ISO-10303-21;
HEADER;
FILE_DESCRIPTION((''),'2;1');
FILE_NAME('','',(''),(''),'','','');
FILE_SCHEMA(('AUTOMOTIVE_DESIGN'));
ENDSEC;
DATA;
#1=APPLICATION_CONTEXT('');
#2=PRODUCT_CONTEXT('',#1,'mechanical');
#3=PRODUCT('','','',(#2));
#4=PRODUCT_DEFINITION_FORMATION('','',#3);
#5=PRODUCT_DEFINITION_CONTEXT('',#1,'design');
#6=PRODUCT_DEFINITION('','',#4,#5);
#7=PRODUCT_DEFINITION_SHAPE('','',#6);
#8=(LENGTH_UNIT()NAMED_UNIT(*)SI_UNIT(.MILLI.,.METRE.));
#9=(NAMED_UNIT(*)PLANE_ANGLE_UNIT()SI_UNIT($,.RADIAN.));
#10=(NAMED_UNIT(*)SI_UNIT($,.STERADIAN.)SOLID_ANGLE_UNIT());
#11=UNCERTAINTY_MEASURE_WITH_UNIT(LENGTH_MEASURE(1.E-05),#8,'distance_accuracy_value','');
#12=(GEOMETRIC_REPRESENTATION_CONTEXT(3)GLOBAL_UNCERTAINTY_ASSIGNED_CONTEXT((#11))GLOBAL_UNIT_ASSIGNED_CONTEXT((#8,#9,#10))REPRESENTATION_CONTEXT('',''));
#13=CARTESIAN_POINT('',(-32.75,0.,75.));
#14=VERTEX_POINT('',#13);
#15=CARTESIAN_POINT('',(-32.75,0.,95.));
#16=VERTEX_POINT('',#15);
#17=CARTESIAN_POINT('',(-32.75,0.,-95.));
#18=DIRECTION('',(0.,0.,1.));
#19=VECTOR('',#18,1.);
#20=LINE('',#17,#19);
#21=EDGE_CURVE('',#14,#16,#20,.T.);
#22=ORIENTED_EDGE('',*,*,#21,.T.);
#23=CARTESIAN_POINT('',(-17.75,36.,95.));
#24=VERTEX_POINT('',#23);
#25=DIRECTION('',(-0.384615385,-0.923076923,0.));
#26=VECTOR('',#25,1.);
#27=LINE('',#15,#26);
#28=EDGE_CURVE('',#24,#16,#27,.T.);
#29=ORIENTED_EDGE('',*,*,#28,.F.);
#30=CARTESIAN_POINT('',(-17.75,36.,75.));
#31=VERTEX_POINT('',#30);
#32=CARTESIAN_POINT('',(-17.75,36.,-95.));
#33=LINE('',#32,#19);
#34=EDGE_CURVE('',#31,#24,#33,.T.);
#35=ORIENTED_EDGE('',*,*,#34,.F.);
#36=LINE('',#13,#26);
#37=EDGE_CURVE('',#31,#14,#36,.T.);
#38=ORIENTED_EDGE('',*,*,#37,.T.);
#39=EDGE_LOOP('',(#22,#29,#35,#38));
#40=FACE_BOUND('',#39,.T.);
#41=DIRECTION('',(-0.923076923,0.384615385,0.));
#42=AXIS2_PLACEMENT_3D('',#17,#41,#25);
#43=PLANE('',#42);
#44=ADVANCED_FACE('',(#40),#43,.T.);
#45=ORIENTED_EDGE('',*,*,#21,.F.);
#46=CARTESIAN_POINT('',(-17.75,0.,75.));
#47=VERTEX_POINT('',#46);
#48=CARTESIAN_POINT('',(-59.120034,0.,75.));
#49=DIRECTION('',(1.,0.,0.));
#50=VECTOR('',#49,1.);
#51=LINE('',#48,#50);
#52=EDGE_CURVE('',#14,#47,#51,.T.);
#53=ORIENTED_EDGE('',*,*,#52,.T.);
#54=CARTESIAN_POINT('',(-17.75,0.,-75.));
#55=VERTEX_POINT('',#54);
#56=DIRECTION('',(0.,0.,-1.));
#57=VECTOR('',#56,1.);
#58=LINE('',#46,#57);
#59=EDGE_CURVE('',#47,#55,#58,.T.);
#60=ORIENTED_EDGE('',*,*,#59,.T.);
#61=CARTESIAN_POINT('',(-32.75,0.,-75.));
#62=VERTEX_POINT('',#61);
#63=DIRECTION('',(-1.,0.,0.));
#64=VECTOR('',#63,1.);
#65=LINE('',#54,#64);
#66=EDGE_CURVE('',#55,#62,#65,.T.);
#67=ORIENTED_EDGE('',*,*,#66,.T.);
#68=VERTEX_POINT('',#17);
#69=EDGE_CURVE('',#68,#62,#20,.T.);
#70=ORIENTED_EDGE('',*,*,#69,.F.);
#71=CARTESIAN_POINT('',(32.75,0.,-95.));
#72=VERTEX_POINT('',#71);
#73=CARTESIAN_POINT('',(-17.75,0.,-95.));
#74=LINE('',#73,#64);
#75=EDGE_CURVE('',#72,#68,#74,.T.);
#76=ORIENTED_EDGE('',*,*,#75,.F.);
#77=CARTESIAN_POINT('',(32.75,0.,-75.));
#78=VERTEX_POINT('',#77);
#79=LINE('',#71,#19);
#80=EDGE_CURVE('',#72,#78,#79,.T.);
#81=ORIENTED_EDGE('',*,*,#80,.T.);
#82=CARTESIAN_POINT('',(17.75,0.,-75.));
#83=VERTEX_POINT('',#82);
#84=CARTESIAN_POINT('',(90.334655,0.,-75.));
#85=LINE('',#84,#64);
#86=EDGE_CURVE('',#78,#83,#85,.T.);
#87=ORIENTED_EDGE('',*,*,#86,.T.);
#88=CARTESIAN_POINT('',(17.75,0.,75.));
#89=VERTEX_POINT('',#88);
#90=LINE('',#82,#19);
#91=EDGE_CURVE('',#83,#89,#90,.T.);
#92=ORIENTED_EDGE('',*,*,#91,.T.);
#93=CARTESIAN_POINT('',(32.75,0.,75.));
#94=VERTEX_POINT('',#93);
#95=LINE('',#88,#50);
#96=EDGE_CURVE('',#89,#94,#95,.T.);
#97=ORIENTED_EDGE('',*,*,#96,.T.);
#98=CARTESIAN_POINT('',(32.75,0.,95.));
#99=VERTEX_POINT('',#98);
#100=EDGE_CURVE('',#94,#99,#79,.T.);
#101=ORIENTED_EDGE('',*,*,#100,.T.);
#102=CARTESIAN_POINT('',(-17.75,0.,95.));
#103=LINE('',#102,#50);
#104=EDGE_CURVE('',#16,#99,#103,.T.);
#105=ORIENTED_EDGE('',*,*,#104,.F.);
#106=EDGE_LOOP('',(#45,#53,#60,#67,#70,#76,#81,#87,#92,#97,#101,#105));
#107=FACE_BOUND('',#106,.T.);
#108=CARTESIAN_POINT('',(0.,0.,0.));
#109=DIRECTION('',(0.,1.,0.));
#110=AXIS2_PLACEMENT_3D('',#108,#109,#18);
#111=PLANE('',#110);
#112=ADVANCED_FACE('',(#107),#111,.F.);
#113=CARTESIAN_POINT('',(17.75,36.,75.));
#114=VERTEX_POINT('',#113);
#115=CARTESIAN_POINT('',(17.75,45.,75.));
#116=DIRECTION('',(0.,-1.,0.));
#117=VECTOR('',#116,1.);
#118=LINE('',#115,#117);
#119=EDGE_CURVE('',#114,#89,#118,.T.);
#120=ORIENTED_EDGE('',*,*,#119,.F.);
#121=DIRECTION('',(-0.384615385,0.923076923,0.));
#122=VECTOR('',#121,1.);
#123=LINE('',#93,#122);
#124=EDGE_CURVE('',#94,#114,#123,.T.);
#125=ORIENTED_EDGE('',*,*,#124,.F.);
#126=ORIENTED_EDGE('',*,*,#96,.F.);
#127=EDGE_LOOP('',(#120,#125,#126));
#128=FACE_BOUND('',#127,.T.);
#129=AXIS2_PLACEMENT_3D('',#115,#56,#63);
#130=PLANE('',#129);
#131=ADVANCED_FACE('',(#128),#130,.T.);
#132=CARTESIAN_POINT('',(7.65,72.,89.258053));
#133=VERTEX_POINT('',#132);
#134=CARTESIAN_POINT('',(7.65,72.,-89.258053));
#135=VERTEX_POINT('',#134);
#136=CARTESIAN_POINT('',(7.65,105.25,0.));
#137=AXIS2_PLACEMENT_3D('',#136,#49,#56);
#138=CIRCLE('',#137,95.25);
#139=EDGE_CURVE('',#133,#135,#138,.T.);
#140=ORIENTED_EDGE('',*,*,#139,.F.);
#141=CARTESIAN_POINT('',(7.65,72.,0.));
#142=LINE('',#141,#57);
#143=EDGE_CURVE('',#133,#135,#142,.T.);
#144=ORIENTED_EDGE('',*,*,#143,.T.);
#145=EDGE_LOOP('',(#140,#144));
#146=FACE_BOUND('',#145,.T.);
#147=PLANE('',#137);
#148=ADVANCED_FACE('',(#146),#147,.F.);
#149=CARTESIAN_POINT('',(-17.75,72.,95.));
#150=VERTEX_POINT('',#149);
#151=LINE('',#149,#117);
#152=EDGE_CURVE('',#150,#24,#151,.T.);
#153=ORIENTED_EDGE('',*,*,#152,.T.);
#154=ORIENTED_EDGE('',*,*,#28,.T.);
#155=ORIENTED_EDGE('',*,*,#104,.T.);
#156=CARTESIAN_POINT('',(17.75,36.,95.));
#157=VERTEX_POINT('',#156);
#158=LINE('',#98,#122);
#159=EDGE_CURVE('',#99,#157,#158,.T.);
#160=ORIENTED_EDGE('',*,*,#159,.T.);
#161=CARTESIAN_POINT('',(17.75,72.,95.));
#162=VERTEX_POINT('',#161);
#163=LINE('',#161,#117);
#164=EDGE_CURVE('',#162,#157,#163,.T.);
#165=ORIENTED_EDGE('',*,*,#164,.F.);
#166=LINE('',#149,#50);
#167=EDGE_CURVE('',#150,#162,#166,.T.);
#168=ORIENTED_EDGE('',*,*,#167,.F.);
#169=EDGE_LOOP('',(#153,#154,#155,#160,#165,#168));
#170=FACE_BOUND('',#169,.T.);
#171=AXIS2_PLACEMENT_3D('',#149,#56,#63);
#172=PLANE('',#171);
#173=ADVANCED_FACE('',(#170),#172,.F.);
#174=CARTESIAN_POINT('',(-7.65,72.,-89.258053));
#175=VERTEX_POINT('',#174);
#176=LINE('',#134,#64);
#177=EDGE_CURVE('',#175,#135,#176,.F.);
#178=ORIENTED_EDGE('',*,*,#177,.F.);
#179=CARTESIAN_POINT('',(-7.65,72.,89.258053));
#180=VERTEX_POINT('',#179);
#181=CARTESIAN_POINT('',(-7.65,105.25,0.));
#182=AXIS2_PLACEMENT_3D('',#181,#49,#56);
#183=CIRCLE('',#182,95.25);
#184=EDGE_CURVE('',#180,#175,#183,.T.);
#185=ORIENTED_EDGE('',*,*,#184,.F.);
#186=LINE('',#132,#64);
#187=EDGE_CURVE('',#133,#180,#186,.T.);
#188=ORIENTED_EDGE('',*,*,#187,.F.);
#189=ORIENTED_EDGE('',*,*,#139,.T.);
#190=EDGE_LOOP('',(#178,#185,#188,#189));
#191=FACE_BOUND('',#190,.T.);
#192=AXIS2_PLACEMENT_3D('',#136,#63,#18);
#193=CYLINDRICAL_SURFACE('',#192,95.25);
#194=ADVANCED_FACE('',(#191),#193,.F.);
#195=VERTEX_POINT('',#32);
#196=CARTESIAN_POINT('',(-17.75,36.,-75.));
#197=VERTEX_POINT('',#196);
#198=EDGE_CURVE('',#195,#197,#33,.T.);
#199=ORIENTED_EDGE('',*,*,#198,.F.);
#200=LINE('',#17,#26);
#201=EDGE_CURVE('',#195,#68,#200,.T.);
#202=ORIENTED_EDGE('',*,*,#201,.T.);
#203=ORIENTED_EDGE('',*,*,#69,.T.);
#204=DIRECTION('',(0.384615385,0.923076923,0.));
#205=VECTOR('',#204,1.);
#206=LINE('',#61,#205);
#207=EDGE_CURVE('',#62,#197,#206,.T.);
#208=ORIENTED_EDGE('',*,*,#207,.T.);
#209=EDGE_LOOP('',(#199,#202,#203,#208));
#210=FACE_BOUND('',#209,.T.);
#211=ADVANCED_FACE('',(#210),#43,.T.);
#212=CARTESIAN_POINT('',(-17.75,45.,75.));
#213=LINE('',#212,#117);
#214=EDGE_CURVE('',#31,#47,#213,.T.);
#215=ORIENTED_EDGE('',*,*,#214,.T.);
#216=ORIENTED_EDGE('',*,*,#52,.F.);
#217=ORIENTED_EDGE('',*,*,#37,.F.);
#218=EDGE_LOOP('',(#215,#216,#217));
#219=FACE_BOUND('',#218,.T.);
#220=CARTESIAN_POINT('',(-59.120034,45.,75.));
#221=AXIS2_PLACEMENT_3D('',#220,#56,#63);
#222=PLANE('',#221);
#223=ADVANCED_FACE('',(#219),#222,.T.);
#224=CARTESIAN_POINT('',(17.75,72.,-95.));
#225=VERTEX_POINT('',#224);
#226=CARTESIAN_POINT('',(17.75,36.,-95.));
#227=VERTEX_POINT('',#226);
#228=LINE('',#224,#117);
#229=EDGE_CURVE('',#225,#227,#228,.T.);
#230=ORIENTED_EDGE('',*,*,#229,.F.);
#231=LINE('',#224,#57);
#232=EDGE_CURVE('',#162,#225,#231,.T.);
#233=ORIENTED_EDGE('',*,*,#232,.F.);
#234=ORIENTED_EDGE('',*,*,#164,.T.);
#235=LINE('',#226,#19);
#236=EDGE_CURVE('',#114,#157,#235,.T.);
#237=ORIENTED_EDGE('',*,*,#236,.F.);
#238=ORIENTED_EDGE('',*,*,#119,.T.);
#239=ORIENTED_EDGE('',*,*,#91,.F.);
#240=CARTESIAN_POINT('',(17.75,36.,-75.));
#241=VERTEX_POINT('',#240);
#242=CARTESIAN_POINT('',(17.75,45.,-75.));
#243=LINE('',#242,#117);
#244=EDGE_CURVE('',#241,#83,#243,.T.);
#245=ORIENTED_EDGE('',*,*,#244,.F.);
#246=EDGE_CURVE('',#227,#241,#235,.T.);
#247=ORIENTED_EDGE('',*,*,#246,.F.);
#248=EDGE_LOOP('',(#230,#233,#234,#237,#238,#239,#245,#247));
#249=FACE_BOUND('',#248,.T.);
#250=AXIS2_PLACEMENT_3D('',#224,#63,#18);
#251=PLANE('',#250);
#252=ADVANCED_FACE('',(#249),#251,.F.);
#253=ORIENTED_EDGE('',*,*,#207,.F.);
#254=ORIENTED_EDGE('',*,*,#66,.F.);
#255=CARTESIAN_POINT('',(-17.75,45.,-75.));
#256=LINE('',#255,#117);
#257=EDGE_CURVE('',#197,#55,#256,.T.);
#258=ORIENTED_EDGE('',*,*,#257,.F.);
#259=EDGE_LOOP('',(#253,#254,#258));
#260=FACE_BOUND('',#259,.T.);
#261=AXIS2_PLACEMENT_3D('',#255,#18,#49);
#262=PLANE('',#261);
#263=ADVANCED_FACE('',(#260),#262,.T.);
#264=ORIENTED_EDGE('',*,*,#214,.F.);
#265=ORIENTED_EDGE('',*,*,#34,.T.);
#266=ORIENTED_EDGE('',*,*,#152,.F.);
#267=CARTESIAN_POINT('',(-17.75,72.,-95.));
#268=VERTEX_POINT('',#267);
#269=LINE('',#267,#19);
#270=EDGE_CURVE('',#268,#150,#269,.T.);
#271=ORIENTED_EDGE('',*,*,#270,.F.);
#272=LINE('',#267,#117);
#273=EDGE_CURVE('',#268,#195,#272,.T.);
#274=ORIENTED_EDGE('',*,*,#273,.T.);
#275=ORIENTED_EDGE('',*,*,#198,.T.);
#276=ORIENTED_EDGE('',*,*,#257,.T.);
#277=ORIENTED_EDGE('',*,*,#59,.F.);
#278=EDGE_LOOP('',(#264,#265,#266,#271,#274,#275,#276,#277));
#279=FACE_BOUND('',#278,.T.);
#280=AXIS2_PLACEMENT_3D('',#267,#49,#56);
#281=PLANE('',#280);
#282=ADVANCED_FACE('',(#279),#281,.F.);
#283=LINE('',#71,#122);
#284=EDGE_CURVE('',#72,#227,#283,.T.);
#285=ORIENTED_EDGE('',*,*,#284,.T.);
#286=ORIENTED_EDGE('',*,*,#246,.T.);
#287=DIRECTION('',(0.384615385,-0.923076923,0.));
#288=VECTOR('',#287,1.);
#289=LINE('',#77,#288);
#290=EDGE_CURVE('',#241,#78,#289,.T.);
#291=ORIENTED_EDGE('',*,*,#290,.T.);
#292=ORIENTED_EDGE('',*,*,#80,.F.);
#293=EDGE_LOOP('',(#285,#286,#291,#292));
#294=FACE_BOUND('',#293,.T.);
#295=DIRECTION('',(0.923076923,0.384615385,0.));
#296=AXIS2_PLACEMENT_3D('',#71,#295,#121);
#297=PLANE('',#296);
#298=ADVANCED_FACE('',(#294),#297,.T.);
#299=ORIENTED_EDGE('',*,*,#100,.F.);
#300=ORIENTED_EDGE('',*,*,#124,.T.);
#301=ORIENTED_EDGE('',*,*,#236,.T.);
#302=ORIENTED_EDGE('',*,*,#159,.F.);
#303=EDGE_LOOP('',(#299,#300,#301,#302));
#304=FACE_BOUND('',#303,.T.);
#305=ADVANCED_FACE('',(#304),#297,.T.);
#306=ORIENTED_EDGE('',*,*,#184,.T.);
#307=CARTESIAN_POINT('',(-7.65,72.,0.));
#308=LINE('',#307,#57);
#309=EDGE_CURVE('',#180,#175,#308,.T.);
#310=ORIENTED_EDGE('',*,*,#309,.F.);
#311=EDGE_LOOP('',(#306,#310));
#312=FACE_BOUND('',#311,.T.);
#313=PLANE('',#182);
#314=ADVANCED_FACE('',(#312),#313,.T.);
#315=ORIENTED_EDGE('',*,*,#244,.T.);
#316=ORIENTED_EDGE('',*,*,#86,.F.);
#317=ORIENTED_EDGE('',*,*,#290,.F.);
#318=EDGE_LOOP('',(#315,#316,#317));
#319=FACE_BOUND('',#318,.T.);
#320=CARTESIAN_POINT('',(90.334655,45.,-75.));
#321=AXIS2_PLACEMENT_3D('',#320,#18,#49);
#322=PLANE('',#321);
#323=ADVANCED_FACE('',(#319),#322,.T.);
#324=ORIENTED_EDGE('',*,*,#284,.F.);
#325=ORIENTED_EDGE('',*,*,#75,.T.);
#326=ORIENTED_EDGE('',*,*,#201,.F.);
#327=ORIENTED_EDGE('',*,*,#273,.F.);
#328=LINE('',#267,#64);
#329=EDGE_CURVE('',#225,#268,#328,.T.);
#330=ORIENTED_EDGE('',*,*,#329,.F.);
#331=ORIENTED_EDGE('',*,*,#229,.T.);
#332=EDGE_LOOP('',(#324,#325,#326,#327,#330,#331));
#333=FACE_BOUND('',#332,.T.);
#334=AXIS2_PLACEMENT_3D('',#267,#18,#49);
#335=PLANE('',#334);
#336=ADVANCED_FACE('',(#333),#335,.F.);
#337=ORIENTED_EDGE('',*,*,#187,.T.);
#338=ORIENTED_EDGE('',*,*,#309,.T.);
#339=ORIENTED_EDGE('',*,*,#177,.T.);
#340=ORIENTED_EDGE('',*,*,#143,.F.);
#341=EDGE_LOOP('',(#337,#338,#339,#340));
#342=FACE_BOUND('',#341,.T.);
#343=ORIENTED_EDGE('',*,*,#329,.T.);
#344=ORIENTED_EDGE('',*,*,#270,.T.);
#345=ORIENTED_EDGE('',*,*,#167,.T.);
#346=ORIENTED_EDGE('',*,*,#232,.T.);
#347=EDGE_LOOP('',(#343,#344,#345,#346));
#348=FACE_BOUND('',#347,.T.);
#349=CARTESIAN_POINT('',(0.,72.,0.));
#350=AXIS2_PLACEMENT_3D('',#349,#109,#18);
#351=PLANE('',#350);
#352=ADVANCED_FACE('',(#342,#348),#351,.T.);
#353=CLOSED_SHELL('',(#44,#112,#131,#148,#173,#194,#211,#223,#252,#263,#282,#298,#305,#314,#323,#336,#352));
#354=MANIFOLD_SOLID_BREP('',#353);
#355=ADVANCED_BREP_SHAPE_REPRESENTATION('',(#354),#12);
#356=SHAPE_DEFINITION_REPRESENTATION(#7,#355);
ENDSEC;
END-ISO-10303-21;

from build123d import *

# Parameters (mm, degrees)
SKETCH1_W                = 35.5
SKETCH1_H                = 190
BOSS_EXTRUDE1_DEPTH      = 72
CUT_EXTRUDE15_DEPTH      = 7.65
CUT_EXTRUDE15_DEPTH_BACK = 7.65
SKETCH2_R                = 95.25
BOSS_EXTRUDE5_DEPTH      = 95
BOSS_EXTRUDE5_DEPTH_BACK = 95
SKETCH7_W                = 41.37003368
SKETCH7_H                = 150
CUT_EXTRUDE16_DEPTH      = 45
SKETCH8_W                = 72.584654809
SKETCH8_H                = 150
CUT_EXTRUDE17_DEPTH      = 45


with BuildPart() as part:
    # Sketch1 → Boss-Extrude1 (new body)
    with BuildSketch(Plane(origin=(0, 0, 0), x_dir=(1, 0, 0), z_dir=(0, 1, 0))):
        Rectangle(SKETCH1_W, SKETCH1_H)
    extrude(amount=BOSS_EXTRUDE1_DEPTH)

    # Sketch2 → Cut-Extrude15 (cut, two sides: drawn at the far end of the back side and taken through both)
    with BuildSketch(Plane(origin=(0, 0, 0), x_dir=(0, 0, -1), z_dir=(1, 0, 0)).offset(-CUT_EXTRUDE15_DEPTH_BACK)):
        with Locations((0, 105.25)):
            Circle(SKETCH2_R)
    extrude(amount=CUT_EXTRUDE15_DEPTH + CUT_EXTRUDE15_DEPTH_BACK, mode=Mode.SUBTRACT)

    # Sketch6 → Boss-Extrude5 (add, two sides: drawn at the far end of the back side and taken through both)
    with BuildSketch(Plane.XY.offset(-BOSS_EXTRUDE5_DEPTH_BACK)):
        Polygon((-17.75, 0), (-32.75, 0), (-17.75, 36), align=None)
        Polygon((17.75, 0), (32.75, 0), (17.75, 36), align=None)
    extrude(amount=BOSS_EXTRUDE5_DEPTH + BOSS_EXTRUDE5_DEPTH_BACK)

    # Sketch7 → Cut-Extrude16 (cut)
    with BuildSketch(Plane(origin=(0, 0, 0), x_dir=(1, 0, 0), z_dir=(0, 1, 0))):
        with Locations((-38.43501684, 0)):
            Rectangle(SKETCH7_W, SKETCH7_H)
    extrude(amount=CUT_EXTRUDE16_DEPTH, mode=Mode.SUBTRACT)

    # Sketch8 → Cut-Extrude17 (cut)
    with BuildSketch(Plane(origin=(0, 0, 0), x_dir=(1, 0, 0), z_dir=(0, 1, 0))):
        with Locations((54.042327404, 0)):
            Rectangle(SKETCH8_W, SKETCH8_H)
    extrude(amount=CUT_EXTRUDE17_DEPTH, mode=Mode.SUBTRACT)


solid = part.part
